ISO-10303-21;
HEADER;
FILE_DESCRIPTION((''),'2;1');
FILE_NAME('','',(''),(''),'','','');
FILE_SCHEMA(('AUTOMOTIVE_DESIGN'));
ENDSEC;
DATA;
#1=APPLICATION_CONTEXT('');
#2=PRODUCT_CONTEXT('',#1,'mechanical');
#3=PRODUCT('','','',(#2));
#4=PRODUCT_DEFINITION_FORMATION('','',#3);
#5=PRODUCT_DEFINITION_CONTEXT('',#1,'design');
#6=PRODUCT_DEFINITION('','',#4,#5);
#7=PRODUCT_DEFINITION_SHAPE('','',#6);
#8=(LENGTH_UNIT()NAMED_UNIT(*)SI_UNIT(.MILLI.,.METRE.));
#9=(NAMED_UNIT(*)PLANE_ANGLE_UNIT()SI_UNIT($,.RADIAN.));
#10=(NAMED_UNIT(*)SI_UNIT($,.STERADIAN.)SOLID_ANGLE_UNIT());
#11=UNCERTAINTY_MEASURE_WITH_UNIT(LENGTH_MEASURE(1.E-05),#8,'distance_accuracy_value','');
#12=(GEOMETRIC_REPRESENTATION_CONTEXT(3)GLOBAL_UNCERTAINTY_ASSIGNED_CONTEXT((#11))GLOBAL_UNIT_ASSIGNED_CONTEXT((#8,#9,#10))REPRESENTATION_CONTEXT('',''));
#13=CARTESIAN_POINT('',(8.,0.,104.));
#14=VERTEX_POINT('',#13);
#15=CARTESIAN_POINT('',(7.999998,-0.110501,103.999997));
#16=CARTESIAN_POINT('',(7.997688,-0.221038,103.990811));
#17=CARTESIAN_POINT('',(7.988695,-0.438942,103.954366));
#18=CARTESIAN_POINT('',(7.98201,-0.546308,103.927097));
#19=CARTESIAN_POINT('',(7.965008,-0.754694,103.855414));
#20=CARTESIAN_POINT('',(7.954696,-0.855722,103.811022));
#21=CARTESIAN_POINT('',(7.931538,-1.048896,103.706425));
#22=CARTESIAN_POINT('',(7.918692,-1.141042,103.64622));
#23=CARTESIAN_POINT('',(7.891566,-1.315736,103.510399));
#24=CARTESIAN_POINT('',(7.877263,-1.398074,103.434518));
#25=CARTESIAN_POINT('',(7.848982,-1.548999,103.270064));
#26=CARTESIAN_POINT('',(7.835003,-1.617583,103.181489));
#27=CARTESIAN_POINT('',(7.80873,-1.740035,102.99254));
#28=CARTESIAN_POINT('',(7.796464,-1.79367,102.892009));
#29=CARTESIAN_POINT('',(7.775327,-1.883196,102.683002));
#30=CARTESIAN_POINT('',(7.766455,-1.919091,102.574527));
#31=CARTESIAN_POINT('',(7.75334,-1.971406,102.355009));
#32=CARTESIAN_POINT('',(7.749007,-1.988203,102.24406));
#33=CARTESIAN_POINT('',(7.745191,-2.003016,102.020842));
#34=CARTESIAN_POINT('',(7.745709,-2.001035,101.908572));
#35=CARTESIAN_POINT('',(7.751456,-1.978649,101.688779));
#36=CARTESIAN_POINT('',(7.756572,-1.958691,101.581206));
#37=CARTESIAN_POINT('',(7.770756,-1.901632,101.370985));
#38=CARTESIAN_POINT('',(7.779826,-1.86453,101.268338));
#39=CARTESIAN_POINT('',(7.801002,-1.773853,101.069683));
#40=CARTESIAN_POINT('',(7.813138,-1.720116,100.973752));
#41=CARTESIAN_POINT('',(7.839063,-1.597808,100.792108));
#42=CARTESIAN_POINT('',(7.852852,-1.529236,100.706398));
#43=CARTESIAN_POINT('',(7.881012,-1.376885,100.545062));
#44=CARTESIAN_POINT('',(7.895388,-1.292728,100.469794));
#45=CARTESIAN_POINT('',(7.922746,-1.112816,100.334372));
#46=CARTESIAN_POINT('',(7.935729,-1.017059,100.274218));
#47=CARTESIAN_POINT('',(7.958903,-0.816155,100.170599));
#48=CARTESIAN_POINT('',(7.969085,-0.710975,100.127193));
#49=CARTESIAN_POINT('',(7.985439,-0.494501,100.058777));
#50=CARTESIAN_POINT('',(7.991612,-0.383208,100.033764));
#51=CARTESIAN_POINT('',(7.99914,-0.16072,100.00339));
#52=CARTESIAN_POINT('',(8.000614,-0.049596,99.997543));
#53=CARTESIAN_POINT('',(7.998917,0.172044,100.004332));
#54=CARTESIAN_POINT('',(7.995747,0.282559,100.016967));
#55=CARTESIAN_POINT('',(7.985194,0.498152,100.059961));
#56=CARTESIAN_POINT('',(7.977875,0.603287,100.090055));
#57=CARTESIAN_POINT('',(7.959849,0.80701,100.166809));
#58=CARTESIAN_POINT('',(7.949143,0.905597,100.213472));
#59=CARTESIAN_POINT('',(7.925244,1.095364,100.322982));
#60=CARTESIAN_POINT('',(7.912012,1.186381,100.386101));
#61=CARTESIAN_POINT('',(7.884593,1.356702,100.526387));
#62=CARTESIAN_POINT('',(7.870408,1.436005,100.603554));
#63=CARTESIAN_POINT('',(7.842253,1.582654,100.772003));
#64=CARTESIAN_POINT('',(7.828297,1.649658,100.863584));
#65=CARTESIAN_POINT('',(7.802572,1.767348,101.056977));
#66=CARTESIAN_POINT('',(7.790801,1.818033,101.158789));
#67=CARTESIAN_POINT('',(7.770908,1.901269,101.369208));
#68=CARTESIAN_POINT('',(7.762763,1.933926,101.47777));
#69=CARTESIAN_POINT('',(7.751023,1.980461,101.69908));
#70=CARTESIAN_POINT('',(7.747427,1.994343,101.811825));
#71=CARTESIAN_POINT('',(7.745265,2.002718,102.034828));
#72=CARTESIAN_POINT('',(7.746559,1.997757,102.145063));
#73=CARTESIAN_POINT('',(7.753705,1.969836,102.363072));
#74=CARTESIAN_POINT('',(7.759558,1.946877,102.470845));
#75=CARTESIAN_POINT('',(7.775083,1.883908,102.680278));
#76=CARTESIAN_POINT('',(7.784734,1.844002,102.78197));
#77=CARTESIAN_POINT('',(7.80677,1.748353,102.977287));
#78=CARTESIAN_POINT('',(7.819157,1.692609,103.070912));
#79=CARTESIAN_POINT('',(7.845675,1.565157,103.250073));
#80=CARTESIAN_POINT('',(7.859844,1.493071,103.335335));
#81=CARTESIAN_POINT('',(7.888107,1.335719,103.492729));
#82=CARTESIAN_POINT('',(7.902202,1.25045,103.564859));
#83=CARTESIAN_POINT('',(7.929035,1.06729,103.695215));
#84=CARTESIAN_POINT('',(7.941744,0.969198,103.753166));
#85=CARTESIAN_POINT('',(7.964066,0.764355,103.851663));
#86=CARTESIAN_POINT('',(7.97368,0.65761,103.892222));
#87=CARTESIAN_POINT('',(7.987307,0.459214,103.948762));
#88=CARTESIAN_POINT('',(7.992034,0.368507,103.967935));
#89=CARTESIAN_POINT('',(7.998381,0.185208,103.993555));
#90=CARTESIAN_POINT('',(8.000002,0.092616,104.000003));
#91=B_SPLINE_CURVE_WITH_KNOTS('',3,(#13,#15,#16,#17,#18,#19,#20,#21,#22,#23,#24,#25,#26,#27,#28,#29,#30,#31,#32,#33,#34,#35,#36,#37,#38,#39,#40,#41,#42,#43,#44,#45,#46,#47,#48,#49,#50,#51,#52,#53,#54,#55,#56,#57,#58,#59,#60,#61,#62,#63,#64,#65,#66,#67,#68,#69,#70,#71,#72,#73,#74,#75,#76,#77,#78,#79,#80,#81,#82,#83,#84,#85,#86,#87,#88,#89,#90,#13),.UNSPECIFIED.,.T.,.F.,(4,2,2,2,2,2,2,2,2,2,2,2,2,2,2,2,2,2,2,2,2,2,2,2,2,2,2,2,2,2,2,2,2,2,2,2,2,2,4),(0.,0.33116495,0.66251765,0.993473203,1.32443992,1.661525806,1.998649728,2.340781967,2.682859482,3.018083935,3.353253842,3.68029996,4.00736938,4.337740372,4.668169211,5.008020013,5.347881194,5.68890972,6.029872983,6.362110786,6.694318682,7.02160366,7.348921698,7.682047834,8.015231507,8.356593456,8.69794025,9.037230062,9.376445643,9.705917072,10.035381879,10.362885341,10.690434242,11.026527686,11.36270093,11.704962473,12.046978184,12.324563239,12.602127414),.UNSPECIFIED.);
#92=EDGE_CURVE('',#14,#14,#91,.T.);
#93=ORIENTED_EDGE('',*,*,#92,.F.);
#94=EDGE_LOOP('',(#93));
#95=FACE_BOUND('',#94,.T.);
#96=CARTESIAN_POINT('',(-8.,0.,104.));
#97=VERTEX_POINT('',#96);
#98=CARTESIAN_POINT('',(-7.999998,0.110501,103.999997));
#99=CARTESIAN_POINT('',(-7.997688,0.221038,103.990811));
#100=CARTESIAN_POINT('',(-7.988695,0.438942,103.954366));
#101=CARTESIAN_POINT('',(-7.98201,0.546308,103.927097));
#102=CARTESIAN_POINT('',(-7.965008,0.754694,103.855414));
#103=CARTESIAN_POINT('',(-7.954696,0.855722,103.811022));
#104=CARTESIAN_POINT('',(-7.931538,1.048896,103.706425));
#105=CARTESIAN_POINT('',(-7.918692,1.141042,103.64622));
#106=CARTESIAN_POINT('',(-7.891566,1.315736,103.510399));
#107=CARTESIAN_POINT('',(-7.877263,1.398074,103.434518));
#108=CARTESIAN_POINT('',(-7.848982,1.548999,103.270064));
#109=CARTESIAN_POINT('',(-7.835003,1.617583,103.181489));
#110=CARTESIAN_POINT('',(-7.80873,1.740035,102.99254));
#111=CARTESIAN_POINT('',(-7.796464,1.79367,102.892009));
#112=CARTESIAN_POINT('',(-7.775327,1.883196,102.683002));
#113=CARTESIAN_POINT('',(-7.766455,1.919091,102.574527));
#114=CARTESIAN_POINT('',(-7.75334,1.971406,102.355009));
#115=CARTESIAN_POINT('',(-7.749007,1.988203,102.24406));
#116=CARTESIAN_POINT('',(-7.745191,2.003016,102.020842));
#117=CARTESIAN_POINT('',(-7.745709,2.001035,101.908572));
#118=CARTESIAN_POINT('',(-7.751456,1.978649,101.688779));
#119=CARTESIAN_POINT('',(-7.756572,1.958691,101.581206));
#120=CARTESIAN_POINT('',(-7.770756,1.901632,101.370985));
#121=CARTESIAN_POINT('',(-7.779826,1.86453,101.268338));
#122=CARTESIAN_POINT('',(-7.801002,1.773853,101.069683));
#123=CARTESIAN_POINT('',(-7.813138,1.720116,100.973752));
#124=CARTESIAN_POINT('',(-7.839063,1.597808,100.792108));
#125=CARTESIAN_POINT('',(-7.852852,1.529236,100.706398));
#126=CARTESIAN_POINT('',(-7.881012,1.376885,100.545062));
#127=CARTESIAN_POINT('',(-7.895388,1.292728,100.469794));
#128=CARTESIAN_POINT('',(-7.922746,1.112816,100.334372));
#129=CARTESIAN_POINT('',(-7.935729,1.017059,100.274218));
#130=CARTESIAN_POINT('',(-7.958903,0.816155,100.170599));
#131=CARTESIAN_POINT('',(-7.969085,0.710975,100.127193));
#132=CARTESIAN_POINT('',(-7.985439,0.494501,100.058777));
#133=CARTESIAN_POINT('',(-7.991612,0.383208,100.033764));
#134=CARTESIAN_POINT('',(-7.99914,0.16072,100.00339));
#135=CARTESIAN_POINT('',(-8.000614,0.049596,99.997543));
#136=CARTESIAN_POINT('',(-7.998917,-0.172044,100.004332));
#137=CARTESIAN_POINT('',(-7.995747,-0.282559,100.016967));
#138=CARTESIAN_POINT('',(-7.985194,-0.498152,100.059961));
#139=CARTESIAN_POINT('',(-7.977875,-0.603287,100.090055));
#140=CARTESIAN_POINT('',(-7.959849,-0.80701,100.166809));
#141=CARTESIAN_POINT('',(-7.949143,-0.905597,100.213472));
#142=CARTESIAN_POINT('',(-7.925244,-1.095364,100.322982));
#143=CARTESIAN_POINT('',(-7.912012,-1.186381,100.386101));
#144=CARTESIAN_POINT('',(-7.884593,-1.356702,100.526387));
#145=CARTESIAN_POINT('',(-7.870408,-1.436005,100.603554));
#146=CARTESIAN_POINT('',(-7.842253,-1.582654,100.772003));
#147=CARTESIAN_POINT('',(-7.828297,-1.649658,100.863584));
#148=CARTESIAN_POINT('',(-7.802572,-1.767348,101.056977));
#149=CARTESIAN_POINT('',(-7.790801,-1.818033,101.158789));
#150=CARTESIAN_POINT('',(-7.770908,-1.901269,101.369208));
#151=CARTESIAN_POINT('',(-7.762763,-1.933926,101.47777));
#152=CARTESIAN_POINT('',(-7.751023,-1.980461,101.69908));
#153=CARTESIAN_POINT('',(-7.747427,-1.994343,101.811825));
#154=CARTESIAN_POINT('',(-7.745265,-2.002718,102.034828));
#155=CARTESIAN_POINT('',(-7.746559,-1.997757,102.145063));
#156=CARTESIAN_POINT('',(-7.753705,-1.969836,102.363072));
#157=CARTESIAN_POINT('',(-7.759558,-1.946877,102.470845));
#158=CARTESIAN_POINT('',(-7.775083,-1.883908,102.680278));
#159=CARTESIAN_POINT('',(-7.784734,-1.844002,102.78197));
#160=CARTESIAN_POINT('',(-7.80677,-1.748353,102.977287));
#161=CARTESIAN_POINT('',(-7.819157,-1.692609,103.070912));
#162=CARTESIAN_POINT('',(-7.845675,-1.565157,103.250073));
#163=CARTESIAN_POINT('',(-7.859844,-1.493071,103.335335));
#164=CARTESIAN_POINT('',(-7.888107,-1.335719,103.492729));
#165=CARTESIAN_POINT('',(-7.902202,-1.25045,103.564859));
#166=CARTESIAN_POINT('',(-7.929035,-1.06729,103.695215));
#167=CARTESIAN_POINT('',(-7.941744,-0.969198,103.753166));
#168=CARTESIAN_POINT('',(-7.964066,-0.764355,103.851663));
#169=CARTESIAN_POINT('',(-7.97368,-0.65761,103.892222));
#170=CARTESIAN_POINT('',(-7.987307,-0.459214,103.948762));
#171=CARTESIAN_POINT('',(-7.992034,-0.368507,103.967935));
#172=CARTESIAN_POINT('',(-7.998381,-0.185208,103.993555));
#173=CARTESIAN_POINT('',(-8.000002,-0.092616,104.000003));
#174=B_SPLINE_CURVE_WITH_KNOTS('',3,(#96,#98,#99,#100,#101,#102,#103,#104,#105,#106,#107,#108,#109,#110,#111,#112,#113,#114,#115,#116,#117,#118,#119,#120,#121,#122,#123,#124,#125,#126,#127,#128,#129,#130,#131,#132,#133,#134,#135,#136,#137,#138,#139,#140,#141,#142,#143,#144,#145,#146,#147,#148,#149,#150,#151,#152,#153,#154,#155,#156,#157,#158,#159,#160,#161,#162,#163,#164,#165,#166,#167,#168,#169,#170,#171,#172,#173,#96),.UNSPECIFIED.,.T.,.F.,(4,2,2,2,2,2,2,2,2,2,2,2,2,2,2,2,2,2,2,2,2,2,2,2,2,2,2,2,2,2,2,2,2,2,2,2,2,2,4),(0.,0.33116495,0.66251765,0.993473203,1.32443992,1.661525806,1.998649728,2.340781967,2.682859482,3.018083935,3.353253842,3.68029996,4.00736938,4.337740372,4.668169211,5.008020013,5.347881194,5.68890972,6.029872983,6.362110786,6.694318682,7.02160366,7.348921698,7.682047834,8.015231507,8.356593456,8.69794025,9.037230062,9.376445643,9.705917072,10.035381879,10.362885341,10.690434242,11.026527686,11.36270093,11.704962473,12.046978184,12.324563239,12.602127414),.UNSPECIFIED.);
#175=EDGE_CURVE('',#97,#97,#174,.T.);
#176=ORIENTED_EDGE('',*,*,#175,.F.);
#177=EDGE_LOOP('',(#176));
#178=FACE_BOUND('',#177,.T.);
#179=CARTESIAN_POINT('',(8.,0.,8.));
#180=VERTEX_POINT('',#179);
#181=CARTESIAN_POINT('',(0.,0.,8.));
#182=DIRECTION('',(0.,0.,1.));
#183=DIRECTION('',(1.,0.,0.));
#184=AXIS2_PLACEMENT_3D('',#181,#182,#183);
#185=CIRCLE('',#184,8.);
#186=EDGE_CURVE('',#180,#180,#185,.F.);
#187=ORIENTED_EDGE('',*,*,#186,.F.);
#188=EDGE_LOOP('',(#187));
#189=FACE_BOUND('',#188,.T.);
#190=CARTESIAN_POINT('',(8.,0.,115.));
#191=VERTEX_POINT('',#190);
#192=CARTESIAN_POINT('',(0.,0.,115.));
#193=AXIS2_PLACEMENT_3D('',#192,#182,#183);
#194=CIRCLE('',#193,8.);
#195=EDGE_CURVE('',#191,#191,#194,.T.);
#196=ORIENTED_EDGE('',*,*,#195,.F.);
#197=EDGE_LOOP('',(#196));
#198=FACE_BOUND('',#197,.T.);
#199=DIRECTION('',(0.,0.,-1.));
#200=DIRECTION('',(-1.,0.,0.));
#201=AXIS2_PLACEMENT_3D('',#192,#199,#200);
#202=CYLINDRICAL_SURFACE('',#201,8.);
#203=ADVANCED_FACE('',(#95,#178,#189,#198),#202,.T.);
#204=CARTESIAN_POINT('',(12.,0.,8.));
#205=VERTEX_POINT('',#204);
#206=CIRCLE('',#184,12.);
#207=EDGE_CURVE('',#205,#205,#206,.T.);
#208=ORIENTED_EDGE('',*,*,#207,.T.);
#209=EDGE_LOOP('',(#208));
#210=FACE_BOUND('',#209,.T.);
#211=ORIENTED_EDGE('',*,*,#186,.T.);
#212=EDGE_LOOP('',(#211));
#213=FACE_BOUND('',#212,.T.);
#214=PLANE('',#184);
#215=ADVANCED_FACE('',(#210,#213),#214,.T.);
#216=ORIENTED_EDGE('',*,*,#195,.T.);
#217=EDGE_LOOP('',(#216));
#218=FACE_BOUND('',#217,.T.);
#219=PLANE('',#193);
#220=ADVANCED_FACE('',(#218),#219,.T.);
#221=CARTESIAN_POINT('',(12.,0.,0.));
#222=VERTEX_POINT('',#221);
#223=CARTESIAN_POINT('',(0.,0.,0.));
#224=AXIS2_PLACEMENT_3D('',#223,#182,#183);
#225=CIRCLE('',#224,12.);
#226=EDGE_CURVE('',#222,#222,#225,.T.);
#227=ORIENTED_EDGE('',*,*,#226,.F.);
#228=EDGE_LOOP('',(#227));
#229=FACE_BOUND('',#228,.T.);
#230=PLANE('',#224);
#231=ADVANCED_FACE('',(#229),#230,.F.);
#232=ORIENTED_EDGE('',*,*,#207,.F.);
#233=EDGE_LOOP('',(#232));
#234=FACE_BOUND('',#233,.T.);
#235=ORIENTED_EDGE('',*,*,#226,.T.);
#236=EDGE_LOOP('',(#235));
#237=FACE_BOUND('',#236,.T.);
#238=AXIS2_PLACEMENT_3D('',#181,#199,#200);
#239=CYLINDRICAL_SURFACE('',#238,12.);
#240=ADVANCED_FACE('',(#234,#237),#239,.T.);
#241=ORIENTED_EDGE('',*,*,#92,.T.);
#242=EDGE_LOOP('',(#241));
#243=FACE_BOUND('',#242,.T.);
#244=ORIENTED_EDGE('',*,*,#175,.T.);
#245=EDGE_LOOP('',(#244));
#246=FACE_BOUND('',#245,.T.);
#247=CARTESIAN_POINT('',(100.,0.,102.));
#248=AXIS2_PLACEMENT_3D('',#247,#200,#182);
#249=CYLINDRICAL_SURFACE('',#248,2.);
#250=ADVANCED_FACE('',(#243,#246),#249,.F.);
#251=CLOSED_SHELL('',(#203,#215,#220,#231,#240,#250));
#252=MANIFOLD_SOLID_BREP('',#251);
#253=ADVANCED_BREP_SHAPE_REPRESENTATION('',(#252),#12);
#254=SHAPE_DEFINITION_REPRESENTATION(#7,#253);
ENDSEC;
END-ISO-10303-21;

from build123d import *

# Parameters (mm, degrees)
SKETCH1_R               = 12
BOSS_EXTRUDE1_DEPTH     = 8
SKETCH1_3_R             = 8
BOSS_EXTRUDE2_DEPTH     = 115
CUT_EXTRUDE1_DEPTH      = 100
CUT_EXTRUDE1_DEPTH_BACK = 100
SKETCH3_R               = 2


with BuildPart() as part:
    # Sketch1 → Boss-Extrude1 (new body)
    with BuildSketch(Plane.XY):
        Circle(SKETCH1_R)
    extrude(amount=BOSS_EXTRUDE1_DEPTH)

    # Sketch1<3> → Boss-Extrude2 (add)
    with BuildSketch(Plane.XY):
        Circle(SKETCH1_3_R)
    extrude(amount=BOSS_EXTRUDE2_DEPTH)

    # Sketch3 → Cut-Extrude1 (cut, two sides: drawn at the far end of the back side and taken through both)
    with BuildSketch(Plane(origin=(0, 0, 0), x_dir=(0, 0, -1), z_dir=(1, 0, 0)).offset(-CUT_EXTRUDE1_DEPTH_BACK)):
        with Locations((-102, 0)):
            Circle(SKETCH3_R)
    extrude(amount=CUT_EXTRUDE1_DEPTH + CUT_EXTRUDE1_DEPTH_BACK, mode=Mode.SUBTRACT)


solid = part.part
